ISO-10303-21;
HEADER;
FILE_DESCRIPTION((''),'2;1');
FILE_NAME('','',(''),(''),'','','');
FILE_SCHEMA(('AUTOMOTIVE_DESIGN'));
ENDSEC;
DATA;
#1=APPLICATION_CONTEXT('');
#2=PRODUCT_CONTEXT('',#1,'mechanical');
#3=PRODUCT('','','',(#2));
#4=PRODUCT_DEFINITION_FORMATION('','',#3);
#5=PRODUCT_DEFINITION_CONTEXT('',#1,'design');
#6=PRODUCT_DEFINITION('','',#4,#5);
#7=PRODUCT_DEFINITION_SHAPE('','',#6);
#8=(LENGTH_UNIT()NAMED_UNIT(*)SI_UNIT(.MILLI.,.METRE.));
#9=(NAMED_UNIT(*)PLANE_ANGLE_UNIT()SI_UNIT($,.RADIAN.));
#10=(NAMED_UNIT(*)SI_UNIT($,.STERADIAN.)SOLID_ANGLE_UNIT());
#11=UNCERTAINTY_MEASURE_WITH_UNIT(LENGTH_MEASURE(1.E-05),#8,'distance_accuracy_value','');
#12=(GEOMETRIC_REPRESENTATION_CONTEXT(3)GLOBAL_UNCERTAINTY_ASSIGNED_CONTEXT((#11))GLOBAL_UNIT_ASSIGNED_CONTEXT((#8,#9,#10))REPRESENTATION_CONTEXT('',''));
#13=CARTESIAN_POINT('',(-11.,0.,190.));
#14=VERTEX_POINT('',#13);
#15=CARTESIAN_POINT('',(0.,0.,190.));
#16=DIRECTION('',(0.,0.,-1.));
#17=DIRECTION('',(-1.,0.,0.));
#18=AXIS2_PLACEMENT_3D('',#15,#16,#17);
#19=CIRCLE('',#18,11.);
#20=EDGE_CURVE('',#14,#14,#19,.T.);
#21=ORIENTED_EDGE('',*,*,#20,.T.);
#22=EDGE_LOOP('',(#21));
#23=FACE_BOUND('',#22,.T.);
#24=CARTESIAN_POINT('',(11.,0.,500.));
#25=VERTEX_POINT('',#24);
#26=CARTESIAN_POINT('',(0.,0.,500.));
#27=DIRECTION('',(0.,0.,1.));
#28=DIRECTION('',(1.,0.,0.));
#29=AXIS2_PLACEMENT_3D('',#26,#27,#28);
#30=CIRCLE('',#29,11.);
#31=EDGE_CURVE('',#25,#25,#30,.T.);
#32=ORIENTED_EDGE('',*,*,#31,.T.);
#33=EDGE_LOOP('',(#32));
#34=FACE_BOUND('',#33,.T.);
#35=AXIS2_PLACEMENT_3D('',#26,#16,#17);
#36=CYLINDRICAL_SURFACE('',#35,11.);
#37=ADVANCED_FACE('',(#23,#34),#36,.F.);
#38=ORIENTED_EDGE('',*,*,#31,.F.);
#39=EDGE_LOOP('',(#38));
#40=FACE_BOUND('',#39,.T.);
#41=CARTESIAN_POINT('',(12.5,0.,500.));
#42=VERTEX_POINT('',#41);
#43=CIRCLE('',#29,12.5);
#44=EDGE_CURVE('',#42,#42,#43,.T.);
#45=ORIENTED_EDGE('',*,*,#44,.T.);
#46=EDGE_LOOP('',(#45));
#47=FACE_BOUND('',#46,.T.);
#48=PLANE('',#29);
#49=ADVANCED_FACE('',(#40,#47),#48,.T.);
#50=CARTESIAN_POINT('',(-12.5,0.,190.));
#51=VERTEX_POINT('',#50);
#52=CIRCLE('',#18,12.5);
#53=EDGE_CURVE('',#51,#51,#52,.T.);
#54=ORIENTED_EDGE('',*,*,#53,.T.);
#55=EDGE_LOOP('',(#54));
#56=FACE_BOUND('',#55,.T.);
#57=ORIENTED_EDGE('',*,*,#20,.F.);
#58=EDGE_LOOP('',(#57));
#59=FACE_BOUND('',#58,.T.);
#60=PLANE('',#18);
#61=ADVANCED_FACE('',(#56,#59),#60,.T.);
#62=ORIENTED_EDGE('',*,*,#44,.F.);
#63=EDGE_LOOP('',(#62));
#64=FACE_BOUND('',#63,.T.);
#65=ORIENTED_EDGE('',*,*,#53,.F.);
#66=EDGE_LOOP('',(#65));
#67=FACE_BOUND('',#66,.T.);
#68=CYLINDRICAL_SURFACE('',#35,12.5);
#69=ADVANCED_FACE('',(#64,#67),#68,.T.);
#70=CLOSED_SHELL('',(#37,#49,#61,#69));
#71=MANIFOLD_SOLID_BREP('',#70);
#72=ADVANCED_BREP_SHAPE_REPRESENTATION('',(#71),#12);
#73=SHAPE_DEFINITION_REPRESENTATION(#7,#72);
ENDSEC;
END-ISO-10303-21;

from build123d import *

# Parameters (mm, degrees)
SKETCH1_R           = 12.5
SKETCH1_R_2         = 11
BOSS_EXTRUDE1_DEPTH = 500
SKETCH3_R           = 12.5
SKETCH3_R_2         = 11
CUT_EXTRUDE2_DEPTH  = 190


with BuildPart() as part:
    # Sketch1 → Boss-Extrude1 (new body)
    with BuildSketch(Plane.XY):
        Circle(SKETCH1_R)
        Circle(SKETCH1_R_2, mode=Mode.SUBTRACT)
    extrude(amount=BOSS_EXTRUDE1_DEPTH)

    # Sketch3 → Cut-Extrude2 (cut)
    with BuildSketch(Plane(origin=(0, 0, 0), x_dir=(-1, 0, 0), z_dir=(0, 0, -1))):
        Circle(SKETCH3_R)
        Circle(SKETCH3_R_2, mode=Mode.SUBTRACT)
    extrude(amount=-CUT_EXTRUDE2_DEPTH, mode=Mode.SUBTRACT)


solid = part.part
